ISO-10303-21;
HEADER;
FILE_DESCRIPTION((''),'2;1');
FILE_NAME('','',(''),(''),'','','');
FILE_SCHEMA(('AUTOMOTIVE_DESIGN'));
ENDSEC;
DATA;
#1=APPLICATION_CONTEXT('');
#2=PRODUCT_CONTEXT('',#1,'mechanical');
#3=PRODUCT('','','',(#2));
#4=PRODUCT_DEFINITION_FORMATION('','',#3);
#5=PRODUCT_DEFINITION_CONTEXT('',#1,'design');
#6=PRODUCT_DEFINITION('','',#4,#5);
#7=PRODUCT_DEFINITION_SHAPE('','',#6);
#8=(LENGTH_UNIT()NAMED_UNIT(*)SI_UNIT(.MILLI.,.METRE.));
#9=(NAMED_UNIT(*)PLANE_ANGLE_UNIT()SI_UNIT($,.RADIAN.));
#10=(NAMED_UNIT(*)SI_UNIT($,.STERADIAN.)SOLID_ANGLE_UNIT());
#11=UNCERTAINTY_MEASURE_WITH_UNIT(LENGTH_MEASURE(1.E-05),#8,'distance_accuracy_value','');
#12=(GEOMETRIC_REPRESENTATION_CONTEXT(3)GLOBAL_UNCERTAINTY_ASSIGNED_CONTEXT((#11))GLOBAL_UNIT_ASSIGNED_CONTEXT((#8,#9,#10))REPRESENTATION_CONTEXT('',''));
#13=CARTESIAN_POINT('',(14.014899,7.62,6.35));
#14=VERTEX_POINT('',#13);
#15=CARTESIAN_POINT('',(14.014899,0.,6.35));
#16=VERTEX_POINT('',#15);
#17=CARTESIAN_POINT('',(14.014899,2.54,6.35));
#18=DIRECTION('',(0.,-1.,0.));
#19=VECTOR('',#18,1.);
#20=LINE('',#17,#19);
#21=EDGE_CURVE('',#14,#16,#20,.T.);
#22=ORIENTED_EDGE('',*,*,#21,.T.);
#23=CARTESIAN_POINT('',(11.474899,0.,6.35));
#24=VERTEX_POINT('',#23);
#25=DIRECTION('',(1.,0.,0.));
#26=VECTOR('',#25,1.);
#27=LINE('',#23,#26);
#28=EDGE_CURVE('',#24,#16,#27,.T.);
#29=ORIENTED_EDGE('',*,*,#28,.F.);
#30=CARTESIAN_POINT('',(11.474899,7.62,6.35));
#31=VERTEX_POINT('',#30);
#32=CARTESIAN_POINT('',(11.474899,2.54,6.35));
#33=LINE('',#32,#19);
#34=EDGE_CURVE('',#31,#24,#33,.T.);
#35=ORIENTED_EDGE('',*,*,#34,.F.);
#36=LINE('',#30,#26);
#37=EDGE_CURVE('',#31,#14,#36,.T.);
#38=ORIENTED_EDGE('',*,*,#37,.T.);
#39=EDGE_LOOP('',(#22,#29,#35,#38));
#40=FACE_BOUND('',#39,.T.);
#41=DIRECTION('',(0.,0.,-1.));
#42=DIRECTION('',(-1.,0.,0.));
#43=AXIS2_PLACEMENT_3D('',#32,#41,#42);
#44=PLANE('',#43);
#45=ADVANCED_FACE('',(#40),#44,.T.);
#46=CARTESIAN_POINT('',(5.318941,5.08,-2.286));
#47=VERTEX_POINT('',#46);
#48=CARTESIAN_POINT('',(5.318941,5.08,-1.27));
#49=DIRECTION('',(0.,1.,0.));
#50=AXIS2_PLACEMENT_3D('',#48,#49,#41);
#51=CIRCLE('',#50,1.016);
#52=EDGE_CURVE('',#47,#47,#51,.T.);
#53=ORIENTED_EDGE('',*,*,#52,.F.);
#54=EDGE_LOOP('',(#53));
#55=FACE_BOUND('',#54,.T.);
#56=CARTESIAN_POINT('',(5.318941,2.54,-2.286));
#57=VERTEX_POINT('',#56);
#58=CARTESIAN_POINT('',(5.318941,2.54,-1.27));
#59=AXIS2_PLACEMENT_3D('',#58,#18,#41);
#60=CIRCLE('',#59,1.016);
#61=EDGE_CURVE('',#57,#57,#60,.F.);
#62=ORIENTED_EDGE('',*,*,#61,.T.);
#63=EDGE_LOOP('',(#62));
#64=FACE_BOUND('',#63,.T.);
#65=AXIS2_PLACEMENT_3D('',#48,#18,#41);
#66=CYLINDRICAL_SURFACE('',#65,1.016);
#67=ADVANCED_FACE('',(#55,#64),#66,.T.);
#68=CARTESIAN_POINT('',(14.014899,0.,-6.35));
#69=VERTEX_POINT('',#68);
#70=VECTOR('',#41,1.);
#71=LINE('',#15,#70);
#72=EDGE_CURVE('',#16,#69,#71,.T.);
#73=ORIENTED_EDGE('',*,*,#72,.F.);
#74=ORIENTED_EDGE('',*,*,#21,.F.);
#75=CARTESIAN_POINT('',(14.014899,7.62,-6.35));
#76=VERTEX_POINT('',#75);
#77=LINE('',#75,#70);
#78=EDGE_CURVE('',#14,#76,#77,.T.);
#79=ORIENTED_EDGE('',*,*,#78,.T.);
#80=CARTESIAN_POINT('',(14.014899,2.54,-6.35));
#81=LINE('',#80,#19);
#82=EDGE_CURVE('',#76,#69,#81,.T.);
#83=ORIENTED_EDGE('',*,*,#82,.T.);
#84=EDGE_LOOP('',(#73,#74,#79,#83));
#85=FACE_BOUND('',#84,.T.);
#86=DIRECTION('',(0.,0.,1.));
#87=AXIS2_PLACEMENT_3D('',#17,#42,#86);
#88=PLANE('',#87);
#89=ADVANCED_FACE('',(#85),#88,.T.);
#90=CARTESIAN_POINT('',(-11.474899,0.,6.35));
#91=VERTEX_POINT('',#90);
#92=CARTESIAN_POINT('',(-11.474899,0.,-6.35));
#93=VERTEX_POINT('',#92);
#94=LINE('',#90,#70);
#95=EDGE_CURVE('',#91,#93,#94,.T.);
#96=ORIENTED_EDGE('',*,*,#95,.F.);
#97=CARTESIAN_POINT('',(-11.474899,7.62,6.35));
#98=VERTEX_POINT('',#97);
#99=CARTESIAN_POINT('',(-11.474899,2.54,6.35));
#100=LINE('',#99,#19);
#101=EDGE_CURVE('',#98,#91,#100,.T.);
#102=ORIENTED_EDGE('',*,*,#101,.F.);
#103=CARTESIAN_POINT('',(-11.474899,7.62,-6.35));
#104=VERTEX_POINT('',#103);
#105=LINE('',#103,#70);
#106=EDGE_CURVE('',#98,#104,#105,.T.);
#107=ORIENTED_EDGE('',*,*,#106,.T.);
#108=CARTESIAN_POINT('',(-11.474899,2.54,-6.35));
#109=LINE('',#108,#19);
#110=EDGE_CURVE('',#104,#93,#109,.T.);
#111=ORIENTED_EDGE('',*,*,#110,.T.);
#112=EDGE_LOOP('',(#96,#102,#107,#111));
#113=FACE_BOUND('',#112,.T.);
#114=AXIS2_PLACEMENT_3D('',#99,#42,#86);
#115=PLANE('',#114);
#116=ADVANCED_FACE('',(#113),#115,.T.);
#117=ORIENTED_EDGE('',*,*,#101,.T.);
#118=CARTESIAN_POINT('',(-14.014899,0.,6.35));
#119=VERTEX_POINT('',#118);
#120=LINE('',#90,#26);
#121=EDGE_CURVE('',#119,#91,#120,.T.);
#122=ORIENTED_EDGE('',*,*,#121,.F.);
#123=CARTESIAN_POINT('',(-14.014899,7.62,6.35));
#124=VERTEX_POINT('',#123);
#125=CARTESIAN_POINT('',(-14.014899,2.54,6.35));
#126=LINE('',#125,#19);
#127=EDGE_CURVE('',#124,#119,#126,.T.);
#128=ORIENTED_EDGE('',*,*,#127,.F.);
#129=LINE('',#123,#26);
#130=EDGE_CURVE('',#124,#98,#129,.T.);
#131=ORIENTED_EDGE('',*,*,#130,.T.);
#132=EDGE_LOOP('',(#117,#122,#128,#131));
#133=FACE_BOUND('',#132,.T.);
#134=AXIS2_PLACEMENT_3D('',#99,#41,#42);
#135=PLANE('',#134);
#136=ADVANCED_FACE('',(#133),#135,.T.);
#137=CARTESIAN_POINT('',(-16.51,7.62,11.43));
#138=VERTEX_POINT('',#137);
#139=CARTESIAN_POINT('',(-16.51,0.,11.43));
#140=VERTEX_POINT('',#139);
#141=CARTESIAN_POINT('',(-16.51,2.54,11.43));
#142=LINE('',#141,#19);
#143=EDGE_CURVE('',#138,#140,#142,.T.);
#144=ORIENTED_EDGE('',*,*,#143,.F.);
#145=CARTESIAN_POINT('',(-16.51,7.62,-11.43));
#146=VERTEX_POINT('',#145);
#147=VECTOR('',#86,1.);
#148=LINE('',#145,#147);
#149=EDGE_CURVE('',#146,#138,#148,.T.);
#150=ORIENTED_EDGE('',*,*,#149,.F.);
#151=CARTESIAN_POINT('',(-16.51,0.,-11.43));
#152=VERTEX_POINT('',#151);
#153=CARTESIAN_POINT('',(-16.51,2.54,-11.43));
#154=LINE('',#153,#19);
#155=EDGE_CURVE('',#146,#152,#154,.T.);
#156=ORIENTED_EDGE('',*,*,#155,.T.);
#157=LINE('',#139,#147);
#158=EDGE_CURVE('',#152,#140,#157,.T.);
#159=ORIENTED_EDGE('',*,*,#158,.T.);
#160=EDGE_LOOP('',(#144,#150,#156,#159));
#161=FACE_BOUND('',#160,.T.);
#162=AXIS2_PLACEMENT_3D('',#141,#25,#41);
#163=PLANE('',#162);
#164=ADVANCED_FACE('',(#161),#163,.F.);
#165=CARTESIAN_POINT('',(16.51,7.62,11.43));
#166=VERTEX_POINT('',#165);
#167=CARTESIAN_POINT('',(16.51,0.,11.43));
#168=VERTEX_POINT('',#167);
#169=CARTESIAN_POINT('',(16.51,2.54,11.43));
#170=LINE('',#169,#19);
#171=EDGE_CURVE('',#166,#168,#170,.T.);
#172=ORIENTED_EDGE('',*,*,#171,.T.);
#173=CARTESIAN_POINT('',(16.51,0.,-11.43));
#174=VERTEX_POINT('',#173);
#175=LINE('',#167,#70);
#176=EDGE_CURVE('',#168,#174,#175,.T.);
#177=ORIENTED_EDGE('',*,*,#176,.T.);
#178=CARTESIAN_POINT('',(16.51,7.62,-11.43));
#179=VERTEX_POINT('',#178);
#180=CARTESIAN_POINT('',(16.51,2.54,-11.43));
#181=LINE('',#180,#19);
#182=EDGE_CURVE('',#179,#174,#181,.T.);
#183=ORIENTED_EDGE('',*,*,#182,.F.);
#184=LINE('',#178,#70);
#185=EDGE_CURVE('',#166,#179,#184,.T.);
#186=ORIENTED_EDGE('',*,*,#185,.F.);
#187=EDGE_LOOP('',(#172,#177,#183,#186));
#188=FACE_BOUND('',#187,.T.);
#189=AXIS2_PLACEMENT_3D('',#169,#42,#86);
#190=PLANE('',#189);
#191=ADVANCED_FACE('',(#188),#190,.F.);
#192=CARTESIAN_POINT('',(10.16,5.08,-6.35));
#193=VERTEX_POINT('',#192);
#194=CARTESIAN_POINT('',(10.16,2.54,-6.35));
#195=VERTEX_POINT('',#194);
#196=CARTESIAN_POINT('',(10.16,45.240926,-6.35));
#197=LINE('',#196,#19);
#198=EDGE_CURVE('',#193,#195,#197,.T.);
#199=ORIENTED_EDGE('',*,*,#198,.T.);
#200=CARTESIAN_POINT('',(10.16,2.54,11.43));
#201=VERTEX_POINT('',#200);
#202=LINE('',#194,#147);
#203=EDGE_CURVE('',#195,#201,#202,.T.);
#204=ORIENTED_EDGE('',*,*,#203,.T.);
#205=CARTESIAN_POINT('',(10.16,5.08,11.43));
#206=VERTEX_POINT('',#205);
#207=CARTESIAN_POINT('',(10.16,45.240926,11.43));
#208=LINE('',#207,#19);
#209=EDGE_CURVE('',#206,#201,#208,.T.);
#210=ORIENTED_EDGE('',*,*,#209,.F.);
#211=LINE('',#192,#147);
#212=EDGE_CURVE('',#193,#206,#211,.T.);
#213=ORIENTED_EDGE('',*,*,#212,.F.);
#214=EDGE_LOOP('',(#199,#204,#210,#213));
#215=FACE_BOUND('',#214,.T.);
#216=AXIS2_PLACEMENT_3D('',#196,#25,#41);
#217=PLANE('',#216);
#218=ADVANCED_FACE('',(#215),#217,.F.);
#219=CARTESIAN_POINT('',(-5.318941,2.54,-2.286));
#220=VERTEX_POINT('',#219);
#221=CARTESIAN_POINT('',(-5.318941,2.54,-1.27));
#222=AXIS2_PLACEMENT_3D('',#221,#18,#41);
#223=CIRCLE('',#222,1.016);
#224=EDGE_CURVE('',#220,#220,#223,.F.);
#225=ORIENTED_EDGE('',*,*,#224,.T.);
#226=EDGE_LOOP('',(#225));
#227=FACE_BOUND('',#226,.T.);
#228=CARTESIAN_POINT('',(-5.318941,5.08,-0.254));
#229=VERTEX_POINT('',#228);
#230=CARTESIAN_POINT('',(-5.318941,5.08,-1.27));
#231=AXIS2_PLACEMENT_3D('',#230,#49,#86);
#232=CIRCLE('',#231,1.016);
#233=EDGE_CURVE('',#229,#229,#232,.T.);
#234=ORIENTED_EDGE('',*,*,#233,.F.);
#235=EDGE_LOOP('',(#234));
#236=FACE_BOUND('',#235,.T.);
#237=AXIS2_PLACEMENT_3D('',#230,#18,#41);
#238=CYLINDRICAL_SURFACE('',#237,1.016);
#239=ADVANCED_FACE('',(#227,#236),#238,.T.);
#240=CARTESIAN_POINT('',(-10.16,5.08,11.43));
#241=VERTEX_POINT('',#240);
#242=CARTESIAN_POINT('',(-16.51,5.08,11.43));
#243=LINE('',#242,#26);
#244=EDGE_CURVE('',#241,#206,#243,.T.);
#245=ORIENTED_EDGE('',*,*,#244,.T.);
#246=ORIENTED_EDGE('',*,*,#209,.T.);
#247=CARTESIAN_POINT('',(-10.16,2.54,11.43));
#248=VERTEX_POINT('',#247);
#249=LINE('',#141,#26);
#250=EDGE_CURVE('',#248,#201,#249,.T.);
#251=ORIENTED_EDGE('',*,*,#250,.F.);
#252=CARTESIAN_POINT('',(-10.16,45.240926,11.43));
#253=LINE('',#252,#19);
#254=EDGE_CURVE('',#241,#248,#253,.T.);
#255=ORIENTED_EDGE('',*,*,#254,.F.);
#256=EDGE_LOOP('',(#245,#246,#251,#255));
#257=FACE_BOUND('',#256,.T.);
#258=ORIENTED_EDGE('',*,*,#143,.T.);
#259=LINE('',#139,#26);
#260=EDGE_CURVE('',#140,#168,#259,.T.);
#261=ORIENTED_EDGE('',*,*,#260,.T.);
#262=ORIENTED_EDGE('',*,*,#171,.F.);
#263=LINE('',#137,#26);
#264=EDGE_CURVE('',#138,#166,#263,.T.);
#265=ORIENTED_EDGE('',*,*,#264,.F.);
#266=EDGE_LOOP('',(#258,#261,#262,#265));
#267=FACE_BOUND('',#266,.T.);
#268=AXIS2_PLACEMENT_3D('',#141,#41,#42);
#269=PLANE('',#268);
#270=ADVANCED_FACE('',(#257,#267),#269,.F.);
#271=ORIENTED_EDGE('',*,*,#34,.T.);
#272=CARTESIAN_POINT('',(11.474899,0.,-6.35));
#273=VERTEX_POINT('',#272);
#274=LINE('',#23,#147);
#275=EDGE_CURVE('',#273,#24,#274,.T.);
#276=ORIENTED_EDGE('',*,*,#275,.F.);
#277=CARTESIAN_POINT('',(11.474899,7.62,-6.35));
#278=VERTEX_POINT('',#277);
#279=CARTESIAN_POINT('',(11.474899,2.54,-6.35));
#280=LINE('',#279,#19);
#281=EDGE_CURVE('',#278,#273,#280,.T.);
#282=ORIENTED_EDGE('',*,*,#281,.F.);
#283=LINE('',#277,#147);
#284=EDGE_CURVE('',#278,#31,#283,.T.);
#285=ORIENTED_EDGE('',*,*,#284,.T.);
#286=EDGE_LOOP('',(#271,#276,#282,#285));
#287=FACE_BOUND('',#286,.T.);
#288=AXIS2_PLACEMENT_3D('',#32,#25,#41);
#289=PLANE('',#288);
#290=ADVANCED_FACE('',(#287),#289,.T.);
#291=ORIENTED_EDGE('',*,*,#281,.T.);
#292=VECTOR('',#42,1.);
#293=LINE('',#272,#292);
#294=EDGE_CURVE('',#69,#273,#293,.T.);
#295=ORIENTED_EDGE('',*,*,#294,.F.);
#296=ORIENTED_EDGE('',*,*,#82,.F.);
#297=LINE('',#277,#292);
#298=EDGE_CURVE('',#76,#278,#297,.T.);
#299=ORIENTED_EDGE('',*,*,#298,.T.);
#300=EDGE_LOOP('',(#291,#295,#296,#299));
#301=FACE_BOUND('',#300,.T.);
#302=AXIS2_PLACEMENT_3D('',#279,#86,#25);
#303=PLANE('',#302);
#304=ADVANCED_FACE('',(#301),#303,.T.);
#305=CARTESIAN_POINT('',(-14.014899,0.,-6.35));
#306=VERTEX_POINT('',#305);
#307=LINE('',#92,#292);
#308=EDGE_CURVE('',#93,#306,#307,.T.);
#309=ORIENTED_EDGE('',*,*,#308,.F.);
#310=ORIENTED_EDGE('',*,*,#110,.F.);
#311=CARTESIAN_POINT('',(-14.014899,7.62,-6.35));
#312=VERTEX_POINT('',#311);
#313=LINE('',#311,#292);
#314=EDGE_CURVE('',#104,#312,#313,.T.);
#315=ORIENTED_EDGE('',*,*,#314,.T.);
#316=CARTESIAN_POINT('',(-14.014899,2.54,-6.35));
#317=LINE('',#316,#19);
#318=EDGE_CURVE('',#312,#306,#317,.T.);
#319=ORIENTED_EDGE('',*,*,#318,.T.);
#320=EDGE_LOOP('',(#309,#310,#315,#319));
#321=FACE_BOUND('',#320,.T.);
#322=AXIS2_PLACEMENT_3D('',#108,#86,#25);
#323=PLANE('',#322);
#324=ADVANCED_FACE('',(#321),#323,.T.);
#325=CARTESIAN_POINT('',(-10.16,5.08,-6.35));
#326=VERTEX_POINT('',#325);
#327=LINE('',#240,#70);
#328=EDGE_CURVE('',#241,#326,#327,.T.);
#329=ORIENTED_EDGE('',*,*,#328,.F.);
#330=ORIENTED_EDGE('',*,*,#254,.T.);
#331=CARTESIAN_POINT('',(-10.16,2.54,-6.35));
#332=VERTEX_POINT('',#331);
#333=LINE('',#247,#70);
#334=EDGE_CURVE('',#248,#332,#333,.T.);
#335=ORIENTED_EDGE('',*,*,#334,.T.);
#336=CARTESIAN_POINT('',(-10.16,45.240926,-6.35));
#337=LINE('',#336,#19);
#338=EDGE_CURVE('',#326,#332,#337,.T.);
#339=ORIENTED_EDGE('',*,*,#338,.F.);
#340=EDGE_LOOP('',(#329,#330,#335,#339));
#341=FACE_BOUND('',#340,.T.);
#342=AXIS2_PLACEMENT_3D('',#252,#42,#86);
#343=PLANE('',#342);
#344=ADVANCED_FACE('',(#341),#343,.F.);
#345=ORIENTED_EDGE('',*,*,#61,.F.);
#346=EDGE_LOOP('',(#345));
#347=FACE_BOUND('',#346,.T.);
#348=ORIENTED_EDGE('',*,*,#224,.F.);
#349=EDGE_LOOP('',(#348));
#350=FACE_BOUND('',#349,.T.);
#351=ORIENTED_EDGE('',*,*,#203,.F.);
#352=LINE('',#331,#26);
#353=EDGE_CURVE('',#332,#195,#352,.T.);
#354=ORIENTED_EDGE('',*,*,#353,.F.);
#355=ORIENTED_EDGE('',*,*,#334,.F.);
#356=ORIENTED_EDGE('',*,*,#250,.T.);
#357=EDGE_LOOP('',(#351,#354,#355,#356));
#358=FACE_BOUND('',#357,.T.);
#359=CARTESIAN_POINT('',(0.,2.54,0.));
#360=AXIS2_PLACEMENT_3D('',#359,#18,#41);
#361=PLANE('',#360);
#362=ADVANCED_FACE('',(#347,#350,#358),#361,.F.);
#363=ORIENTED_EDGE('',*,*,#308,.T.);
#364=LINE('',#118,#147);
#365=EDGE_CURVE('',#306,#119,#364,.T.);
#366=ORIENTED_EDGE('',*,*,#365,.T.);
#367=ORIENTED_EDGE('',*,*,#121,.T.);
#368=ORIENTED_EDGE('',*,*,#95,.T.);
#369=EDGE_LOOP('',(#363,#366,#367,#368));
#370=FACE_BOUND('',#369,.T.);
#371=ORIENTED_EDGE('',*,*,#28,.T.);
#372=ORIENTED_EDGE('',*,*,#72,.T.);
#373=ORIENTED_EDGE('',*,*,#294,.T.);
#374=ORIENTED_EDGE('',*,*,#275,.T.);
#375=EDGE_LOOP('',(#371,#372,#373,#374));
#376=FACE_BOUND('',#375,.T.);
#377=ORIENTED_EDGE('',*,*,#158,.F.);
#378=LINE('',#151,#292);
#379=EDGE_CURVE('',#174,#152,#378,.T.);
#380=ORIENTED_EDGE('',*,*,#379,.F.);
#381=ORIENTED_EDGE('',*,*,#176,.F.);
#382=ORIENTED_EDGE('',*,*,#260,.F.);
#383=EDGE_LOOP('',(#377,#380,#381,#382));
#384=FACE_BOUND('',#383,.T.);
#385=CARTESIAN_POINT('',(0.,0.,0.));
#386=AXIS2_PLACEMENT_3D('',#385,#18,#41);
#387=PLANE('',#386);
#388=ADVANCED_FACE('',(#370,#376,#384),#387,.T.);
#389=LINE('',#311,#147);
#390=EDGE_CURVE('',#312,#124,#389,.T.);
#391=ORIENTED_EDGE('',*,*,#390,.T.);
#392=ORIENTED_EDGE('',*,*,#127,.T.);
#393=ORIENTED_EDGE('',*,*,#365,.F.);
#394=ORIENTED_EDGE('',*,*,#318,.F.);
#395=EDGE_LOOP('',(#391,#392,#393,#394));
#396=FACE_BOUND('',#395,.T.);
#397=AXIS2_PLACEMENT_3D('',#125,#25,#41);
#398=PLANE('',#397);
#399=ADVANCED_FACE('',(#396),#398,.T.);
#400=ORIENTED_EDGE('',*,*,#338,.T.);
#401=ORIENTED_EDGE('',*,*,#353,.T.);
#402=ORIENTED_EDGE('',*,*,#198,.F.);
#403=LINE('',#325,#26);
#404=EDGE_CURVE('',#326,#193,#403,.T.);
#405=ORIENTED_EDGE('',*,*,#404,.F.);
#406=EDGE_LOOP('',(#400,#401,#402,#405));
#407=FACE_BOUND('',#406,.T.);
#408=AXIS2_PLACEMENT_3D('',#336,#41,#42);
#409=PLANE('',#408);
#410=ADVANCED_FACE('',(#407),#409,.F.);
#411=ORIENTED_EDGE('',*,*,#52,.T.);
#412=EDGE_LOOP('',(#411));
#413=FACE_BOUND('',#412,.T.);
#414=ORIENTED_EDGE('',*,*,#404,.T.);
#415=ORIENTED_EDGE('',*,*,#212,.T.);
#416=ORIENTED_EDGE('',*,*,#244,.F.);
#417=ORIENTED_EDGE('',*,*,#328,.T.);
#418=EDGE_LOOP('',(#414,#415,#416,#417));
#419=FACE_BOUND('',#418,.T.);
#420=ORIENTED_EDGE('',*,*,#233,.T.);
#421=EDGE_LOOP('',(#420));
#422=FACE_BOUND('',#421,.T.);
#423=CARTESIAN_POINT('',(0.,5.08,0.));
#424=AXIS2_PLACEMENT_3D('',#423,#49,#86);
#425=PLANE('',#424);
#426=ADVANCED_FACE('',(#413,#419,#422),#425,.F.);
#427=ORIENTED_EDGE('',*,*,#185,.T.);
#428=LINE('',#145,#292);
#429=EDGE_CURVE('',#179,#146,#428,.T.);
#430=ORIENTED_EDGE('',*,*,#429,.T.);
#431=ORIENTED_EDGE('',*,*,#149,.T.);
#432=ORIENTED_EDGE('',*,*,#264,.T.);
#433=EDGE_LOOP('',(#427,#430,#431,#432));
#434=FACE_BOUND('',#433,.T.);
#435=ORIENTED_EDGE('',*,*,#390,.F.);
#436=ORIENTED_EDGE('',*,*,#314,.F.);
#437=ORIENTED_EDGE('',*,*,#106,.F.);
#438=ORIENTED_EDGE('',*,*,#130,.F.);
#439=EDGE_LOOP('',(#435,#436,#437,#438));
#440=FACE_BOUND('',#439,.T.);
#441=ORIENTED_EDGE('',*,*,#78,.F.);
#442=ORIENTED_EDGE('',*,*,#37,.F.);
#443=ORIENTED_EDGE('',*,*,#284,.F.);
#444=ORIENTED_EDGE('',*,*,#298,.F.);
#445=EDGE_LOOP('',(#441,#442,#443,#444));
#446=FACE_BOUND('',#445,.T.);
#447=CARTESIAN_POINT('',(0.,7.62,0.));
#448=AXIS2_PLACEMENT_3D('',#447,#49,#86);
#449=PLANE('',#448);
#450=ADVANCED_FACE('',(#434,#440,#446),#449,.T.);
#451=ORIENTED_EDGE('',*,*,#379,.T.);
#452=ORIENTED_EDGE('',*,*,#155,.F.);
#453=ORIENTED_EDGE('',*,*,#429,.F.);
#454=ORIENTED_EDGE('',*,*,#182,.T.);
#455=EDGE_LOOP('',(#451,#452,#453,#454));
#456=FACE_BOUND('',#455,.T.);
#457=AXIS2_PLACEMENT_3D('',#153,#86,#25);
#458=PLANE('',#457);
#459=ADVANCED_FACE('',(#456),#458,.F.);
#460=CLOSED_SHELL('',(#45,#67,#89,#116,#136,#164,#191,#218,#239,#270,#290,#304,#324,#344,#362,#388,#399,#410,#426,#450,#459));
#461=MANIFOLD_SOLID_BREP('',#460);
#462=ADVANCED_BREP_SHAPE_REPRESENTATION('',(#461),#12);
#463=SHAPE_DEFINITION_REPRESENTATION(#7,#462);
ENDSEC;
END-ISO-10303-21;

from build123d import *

# Parameters (mm, degrees)
SKETCH1_W           = 33.02
SKETCH1_H           = 22.86
SKETCH1_W_2         = 2.54
SKETCH1_H_2         = 12.7
BOSS_EXTRUDE2_DEPTH = 2.54
SKETCH3_R           = 1.016
BOSS_EXTRUDE3_DEPTH = 2.54
SKETCH4_W           = 33.02
SKETCH4_H           = 22.86
SKETCH4_W_2         = 2.54
SKETCH4_H_2         = 12.7
BOSS_EXTRUDE6_DEPTH = 2.54
SKETCH5_W           = 2.54
SKETCH5_H           = 12.7
BOSS_EXTRUDE7_DEPTH = 2.54


with BuildPart() as part:
    # Sketch1 → Boss-Extrude2 (new body)
    with BuildSketch(Plane(origin=(0, 0, 0), x_dir=(1, 0, 0), z_dir=(0, 1, 0))):
        Rectangle(SKETCH1_W, SKETCH1_H)
        with Locations((-12.74489899, 0)):
            Rectangle(SKETCH1_W_2, SKETCH1_H_2, mode=Mode.SUBTRACT)
        with Locations((12.74489899, 0)):
            Rectangle(SKETCH1_W_2, SKETCH1_H_2, mode=Mode.SUBTRACT)
    extrude(amount=BOSS_EXTRUDE2_DEPTH)

    # Sketch3 → Boss-Extrude3 (add)
    with BuildSketch(Plane(origin=(0, 2.54, 0), x_dir=(1, 0, 0), z_dir=(0, 1, 0))):
        with Locations(Location((-5.318941048, 1.27, 0), (0, 0, 90))):
            Circle(SKETCH3_R)
        with Locations(Location((5.318941048, 1.27, 0), (0, 0, 90))):
            Circle(SKETCH3_R)
    extrude(amount=BOSS_EXTRUDE3_DEPTH)

    # Sketch4 → Boss-Extrude6 (add)
    with BuildSketch(Plane(origin=(0, 5.08, 0), x_dir=(1, 0, 0), z_dir=(0, 1, 0))):
        Rectangle(SKETCH4_W, SKETCH4_H)
        with Locations((-12.74489899, 0)):
            Rectangle(SKETCH4_W_2, SKETCH4_H_2, mode=Mode.SUBTRACT)
        with Locations((12.74489899, 0)):
            Rectangle(SKETCH4_W_2, SKETCH4_H_2, mode=Mode.SUBTRACT)
    extrude(amount=BOSS_EXTRUDE6_DEPTH)

    # Sketch5 → Boss-Extrude7 (add)
    with BuildSketch(Plane(origin=(0, 2.54, 0), x_dir=(1, 0, 0), z_dir=(0, 1, 0))):
        Polygon((-16.51, -11.43), (-16.51, 11.43), (16.51, 11.43), (16.51, -11.43), (10.16, -11.43), (10.16, 6.35), (-10.16, 6.35), (-10.16, -11.43), align=None)
        with Locations((-12.74489899, 0)):
            Rectangle(SKETCH5_W, SKETCH5_H, mode=Mode.SUBTRACT)
        with Locations((12.74489899, 0)):
            Rectangle(SKETCH5_W, SKETCH5_H, mode=Mode.SUBTRACT)
    extrude(amount=BOSS_EXTRUDE7_DEPTH)


solid = part.part
